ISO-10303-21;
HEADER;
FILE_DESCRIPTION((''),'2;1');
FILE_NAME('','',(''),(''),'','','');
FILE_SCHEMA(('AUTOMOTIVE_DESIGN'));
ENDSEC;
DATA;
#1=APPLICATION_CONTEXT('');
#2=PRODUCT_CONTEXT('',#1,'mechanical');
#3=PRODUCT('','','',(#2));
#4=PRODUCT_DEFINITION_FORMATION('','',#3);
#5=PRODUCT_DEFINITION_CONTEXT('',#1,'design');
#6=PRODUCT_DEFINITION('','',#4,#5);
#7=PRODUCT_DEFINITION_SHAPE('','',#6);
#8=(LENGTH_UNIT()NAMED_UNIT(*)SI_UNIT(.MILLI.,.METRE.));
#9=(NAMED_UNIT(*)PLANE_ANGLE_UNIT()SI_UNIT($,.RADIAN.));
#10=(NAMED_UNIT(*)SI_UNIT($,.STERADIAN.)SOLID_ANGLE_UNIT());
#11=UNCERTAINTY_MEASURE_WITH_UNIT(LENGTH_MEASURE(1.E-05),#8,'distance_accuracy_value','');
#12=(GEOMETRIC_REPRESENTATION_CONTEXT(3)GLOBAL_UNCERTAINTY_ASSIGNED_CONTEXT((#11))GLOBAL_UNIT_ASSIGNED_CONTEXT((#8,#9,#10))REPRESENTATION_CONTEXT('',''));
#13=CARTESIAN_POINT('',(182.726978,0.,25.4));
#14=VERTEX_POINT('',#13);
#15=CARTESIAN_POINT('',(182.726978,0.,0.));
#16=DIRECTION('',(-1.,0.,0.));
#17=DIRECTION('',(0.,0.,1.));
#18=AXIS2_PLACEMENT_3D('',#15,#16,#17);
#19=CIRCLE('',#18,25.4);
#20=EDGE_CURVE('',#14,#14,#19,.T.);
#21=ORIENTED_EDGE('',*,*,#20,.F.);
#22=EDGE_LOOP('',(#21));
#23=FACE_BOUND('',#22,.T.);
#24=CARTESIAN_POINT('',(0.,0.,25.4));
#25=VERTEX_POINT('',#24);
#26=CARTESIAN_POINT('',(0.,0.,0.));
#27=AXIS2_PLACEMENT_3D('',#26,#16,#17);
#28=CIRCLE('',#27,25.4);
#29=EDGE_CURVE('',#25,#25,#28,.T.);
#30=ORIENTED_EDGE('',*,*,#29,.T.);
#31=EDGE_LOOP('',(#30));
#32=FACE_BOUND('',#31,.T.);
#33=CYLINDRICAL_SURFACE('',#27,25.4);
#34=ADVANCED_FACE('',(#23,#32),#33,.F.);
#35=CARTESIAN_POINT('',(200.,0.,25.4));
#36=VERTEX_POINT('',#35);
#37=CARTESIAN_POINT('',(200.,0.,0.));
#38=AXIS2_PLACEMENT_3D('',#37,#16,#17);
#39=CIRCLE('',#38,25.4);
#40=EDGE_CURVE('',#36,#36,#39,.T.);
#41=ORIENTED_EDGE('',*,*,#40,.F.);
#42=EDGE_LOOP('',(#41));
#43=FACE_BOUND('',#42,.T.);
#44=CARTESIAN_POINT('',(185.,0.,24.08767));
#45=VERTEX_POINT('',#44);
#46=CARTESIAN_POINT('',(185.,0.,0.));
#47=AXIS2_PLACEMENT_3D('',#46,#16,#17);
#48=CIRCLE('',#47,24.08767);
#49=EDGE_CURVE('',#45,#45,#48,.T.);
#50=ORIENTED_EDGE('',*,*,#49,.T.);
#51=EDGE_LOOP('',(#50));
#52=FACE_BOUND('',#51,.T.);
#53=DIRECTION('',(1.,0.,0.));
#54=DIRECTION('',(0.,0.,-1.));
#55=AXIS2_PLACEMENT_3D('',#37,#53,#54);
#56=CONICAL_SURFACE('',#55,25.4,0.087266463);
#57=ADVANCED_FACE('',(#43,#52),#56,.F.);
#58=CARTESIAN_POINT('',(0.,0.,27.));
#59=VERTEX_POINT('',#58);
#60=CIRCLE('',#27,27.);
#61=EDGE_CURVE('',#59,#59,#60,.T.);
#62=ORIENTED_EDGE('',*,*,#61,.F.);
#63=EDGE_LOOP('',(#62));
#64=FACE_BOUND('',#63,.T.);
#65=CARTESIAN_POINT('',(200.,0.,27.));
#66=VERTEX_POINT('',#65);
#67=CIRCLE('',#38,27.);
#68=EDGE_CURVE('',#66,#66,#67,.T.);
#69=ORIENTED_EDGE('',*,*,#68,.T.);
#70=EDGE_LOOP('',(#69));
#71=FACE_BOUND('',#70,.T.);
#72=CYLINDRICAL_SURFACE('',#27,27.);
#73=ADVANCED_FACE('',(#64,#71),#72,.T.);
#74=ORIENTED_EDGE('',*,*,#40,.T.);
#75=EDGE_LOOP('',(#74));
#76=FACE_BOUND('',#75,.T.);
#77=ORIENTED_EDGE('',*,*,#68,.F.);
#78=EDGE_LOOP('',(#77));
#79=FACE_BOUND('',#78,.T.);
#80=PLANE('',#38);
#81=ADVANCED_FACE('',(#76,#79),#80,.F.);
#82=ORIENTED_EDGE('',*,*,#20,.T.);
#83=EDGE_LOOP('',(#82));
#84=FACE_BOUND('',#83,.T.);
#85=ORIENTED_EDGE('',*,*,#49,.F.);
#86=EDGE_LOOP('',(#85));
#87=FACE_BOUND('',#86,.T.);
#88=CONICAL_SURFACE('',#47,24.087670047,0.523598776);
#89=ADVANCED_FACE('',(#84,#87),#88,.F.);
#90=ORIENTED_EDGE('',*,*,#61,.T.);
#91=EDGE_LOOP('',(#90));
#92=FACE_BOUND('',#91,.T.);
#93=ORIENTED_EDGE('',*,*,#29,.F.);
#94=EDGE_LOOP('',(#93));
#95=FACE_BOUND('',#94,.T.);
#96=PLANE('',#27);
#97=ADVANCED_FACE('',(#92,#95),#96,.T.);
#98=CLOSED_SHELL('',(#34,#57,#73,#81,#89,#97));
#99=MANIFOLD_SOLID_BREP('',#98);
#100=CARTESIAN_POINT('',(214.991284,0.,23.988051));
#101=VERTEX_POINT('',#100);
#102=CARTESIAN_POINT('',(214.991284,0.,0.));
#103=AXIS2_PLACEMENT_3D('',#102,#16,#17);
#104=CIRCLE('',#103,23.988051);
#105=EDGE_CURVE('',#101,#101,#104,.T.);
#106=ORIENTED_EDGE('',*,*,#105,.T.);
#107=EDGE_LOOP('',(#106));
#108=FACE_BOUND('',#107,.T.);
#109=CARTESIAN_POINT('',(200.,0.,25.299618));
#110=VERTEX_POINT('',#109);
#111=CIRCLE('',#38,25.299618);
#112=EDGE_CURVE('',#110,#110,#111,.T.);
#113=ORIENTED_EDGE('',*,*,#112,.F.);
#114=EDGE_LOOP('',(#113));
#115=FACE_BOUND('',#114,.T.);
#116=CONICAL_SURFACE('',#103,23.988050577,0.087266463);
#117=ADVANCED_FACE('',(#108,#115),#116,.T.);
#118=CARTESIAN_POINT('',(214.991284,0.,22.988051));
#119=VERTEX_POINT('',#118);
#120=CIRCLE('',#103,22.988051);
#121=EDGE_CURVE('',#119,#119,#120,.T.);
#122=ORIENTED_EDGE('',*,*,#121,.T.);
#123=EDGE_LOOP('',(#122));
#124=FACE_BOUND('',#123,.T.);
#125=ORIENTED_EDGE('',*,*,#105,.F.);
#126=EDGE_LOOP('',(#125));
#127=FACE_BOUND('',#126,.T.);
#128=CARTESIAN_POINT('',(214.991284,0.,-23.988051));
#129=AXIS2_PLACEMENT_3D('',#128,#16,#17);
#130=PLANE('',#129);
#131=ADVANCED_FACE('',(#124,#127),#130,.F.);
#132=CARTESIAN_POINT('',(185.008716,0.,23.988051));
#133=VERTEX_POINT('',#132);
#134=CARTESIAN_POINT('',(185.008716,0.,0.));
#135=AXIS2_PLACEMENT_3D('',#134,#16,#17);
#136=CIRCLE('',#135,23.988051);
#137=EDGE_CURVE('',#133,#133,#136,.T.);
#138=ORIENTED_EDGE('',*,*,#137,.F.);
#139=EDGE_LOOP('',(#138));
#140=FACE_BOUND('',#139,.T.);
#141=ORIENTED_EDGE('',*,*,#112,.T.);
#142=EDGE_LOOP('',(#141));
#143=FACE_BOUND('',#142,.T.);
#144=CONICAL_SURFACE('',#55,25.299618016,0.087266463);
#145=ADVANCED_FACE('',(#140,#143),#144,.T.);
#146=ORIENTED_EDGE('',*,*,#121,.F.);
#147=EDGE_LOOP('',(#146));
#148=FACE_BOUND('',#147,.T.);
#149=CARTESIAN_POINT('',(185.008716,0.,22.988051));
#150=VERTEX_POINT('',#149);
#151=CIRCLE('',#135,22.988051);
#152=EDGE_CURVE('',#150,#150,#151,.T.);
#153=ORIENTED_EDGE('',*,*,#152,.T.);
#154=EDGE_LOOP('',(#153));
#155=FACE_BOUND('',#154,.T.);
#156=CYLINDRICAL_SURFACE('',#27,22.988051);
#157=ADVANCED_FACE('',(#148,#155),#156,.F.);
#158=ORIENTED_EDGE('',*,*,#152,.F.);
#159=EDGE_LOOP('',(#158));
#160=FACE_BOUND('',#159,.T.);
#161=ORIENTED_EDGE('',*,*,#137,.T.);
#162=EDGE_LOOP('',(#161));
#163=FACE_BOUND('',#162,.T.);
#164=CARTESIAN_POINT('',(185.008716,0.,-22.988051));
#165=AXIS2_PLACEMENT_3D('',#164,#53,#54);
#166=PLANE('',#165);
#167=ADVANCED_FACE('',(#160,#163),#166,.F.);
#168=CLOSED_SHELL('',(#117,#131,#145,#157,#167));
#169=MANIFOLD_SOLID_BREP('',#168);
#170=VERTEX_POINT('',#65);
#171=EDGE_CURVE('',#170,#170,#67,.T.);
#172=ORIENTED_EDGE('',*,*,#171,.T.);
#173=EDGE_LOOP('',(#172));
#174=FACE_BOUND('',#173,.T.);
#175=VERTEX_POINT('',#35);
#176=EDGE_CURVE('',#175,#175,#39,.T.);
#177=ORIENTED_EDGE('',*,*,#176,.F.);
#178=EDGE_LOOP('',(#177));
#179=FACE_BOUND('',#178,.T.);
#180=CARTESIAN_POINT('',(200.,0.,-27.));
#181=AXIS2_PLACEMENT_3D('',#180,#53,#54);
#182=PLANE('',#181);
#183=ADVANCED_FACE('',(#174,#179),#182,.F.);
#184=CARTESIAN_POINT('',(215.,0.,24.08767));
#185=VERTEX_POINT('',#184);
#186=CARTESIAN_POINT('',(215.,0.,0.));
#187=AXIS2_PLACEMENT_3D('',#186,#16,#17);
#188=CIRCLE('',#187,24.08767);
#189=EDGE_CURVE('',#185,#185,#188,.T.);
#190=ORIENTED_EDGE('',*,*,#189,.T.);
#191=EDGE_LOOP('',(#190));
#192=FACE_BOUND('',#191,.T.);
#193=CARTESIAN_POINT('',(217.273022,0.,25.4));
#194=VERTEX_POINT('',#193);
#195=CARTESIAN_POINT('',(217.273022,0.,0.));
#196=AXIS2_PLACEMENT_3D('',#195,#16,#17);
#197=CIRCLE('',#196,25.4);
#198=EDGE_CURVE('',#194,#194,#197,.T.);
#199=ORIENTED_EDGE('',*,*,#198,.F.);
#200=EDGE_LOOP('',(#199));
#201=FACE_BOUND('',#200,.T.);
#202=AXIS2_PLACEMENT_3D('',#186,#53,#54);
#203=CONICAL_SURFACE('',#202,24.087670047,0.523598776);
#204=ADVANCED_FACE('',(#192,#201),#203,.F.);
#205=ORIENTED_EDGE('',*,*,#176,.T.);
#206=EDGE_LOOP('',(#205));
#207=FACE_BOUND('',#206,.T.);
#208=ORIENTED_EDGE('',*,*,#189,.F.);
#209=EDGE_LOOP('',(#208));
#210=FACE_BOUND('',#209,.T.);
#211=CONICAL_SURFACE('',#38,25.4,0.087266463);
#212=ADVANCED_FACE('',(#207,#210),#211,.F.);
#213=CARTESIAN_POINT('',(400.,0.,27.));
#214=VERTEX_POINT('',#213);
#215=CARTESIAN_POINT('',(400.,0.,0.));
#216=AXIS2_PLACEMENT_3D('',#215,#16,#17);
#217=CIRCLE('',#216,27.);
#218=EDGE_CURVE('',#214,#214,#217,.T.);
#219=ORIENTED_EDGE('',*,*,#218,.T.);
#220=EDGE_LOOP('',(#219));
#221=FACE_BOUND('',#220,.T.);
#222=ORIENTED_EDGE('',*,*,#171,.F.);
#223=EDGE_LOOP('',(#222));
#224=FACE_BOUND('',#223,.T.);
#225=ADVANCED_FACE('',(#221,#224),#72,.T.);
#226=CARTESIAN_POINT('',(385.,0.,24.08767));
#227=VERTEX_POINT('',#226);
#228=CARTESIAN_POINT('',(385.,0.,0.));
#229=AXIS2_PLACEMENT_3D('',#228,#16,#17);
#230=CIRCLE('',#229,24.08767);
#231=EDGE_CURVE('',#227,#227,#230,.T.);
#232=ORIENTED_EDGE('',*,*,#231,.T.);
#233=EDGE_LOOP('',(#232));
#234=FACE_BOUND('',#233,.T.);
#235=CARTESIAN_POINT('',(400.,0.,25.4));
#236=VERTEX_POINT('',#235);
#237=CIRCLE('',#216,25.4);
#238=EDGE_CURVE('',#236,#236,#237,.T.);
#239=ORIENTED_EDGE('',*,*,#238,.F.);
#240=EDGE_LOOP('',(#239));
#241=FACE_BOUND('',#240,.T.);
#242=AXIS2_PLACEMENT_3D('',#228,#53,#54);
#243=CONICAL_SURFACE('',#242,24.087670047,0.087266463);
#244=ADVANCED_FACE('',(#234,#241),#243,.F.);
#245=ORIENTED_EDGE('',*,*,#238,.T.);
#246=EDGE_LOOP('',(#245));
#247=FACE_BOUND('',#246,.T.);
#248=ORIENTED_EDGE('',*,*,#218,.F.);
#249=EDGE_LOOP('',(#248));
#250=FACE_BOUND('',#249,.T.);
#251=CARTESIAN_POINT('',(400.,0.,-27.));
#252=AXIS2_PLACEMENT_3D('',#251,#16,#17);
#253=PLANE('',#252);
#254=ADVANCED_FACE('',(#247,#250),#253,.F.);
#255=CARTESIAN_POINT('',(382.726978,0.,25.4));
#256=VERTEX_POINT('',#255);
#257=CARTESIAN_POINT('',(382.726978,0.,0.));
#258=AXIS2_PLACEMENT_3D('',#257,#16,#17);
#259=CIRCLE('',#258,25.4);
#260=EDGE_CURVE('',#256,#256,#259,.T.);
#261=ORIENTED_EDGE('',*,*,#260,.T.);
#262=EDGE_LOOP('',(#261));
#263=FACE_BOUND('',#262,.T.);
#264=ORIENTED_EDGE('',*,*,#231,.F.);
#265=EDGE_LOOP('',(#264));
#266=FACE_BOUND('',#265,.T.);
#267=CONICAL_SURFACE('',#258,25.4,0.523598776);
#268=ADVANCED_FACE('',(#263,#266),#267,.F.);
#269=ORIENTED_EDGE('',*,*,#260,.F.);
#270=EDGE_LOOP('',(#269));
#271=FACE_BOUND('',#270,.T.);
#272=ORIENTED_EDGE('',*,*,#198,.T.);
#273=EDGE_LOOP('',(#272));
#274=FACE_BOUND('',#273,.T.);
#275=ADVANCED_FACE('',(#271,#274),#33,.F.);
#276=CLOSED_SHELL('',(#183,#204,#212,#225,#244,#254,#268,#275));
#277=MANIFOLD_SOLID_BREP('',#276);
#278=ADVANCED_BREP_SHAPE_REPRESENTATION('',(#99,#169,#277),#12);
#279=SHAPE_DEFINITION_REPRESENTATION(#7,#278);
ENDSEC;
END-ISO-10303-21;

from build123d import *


with BuildPart() as part:
    # Sketch1 → Revolve1 (revolve)
    with BuildSketch(Plane(origin=(0, 0, 0), x_dir=(1, 0, 0), z_dir=(0, 1, 0)), mode=Mode.PRIVATE) as revolve1_sk:
        Polygon((185, 24.087670047), (182.726977845, 25.4), (0, 25.4), (0, 27), (200, 27), (200, 25.4), align=None)
    revolve(revolve1_sk.sketch.rotate(Axis((0, 0, 0), (1, 0, 0)), 180), axis=Axis((0, 0, 0), (1, 0, 0)))


with BuildPart() as body_2:
    # Sketch2 → Revolve2 (revolve)
    with BuildSketch(Plane(origin=(0, 0, 0), x_dir=(1, 0, 0), z_dir=(0, 1, 0)), mode=Mode.PRIVATE) as revolve2_sk:
        Polygon((382.726977845, 25.4), (217.273022155, 25.4), (215, 24.087670047), (200, 25.4), (200, 27), (400, 27), (400, 25.4), (385, 24.087670047), align=None)
    revolve(revolve2_sk.sketch.rotate(Axis((0, 0, 0), (1, 0, 0)), 180), axis=Axis((0, 0, 0), (1, 0, 0)))


with BuildPart() as body_3:
    # Sketch4 → Revolve3 (revolve)
    with BuildSketch(Plane(origin=(0, 0, 0), x_dir=(1, 0, 0), z_dir=(0, 1, 0)), mode=Mode.PRIVATE) as revolve3_sk:
        Polygon((200, 25.299618016), (185.008715574, 23.988050577), (185.008715574, 22.988050577), (214.991284426, 22.988050577), (214.991284426, 23.988050577), align=None)
    revolve(revolve3_sk.sketch.rotate(Axis((0, 0, 0), (1, 0, 0)), 180), axis=Axis((0, 0, 0), (1, 0, 0)))


solid = Compound([part.part, body_2.part, body_3.part])
